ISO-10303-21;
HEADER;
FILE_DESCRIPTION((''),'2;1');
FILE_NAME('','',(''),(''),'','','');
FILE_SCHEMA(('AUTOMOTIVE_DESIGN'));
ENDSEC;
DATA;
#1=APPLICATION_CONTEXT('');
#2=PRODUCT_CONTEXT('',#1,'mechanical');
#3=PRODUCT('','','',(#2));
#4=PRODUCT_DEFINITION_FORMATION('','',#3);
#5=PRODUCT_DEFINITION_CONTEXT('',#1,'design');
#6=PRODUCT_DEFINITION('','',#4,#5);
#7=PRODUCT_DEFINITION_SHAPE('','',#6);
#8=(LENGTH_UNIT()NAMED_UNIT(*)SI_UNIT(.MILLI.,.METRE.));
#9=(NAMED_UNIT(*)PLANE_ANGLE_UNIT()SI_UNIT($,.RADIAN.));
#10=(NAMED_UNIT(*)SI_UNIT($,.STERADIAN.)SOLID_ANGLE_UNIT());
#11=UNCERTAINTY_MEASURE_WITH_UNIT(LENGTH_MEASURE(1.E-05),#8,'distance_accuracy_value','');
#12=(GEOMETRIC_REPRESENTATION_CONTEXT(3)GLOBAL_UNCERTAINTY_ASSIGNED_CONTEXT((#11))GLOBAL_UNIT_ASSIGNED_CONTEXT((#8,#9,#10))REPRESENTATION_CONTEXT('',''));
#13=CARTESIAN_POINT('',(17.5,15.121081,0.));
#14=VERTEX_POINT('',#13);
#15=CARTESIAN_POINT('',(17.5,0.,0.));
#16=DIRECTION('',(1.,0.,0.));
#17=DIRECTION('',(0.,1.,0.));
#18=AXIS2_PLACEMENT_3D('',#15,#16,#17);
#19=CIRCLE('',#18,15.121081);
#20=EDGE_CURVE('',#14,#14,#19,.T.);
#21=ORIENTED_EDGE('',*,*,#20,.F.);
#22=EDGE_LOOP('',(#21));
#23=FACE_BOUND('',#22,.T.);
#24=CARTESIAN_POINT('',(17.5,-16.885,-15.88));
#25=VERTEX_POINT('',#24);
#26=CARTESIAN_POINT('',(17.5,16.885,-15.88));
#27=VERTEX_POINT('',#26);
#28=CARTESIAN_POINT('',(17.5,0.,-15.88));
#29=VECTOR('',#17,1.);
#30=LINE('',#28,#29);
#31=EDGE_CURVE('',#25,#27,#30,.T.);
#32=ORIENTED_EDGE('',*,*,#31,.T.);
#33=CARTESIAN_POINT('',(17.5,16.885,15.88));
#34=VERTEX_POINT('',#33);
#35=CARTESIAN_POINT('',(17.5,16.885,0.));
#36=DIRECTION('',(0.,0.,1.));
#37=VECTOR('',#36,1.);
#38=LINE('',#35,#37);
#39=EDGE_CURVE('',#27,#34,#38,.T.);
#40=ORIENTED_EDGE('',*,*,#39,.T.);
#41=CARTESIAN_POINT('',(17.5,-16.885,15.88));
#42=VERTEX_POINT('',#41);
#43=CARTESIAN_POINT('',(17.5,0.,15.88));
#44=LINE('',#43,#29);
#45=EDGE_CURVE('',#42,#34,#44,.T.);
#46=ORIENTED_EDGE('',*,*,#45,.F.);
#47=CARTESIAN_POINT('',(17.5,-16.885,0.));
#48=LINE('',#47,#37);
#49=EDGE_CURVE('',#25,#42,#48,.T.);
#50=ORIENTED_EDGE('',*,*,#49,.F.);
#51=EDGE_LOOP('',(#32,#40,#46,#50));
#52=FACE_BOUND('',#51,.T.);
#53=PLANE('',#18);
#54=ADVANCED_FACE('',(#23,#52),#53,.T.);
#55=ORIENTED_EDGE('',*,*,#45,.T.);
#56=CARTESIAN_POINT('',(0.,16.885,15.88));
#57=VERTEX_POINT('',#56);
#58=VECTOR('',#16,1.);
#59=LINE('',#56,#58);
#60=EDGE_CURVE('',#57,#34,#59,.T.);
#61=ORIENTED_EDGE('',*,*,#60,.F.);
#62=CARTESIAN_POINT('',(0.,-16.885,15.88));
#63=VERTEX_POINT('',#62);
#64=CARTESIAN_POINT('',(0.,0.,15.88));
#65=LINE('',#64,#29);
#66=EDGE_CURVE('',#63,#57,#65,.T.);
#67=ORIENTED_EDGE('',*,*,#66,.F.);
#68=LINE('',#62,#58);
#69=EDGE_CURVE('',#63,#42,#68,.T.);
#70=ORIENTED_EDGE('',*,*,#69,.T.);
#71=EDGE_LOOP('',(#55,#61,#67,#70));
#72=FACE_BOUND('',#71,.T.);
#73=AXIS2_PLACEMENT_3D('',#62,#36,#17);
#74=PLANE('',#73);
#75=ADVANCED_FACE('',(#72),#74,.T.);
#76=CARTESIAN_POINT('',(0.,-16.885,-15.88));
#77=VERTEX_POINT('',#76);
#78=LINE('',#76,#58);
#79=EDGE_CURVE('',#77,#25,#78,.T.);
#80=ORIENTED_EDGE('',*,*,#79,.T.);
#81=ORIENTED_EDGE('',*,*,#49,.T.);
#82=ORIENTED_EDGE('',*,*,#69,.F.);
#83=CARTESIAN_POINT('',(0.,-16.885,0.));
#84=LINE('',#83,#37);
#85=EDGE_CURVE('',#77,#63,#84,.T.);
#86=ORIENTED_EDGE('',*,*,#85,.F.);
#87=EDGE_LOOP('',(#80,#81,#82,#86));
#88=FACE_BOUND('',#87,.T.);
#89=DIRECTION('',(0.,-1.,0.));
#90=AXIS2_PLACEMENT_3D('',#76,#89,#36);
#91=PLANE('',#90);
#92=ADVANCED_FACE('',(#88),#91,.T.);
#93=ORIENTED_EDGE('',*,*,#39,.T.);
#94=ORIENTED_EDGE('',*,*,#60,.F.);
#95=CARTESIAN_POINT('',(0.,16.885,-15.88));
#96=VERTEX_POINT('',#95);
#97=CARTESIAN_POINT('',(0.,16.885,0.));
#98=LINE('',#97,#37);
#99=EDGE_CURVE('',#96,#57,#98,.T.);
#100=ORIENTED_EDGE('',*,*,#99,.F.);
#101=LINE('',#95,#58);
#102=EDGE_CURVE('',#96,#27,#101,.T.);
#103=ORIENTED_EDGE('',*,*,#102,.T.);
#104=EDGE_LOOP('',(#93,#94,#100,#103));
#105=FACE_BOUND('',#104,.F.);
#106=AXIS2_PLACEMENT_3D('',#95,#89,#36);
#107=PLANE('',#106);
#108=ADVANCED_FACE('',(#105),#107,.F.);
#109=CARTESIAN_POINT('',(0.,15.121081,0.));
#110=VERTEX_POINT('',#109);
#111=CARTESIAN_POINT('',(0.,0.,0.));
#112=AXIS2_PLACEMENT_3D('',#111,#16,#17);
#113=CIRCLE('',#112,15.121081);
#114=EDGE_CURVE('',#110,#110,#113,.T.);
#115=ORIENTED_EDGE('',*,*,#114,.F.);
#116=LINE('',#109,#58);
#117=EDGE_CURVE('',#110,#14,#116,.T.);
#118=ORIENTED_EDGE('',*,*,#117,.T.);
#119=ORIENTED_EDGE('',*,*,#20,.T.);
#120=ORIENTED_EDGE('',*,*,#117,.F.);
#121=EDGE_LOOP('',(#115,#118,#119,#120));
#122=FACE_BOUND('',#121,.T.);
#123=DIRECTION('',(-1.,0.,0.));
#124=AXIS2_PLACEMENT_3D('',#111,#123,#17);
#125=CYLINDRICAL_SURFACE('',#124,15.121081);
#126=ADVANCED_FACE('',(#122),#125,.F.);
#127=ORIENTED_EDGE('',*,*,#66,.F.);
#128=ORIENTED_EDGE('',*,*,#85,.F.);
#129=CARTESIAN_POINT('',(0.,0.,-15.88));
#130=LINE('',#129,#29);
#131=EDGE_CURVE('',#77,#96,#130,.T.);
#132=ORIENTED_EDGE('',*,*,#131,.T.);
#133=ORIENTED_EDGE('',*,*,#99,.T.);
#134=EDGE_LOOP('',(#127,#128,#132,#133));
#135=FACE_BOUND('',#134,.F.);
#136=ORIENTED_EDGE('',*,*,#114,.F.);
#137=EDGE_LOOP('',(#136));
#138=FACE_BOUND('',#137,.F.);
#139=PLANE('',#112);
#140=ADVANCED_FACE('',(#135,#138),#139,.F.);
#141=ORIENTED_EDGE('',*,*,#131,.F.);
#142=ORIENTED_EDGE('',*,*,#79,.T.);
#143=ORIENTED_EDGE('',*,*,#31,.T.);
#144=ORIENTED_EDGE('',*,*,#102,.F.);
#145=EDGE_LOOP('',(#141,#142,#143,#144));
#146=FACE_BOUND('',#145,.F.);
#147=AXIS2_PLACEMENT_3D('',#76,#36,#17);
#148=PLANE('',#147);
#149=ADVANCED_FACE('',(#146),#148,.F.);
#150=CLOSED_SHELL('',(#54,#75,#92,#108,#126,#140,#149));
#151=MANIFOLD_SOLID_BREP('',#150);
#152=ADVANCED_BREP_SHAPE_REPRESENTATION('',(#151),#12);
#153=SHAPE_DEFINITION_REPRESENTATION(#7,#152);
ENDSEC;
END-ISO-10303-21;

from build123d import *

# Parameters (mm, degrees)
F0_W     = 33.77
F0_H     = 31.76
F0_R     = 15.121081
F1_DEPTH = 17.5


with BuildPart() as f1:
    # F0 (on Right) → F1 (new body)
    with BuildSketch(Plane.YZ):
        Rectangle(F0_W, F0_H)
        Circle(F0_R, mode=Mode.SUBTRACT)
    extrude(amount=F1_DEPTH)


solid = f1.part
